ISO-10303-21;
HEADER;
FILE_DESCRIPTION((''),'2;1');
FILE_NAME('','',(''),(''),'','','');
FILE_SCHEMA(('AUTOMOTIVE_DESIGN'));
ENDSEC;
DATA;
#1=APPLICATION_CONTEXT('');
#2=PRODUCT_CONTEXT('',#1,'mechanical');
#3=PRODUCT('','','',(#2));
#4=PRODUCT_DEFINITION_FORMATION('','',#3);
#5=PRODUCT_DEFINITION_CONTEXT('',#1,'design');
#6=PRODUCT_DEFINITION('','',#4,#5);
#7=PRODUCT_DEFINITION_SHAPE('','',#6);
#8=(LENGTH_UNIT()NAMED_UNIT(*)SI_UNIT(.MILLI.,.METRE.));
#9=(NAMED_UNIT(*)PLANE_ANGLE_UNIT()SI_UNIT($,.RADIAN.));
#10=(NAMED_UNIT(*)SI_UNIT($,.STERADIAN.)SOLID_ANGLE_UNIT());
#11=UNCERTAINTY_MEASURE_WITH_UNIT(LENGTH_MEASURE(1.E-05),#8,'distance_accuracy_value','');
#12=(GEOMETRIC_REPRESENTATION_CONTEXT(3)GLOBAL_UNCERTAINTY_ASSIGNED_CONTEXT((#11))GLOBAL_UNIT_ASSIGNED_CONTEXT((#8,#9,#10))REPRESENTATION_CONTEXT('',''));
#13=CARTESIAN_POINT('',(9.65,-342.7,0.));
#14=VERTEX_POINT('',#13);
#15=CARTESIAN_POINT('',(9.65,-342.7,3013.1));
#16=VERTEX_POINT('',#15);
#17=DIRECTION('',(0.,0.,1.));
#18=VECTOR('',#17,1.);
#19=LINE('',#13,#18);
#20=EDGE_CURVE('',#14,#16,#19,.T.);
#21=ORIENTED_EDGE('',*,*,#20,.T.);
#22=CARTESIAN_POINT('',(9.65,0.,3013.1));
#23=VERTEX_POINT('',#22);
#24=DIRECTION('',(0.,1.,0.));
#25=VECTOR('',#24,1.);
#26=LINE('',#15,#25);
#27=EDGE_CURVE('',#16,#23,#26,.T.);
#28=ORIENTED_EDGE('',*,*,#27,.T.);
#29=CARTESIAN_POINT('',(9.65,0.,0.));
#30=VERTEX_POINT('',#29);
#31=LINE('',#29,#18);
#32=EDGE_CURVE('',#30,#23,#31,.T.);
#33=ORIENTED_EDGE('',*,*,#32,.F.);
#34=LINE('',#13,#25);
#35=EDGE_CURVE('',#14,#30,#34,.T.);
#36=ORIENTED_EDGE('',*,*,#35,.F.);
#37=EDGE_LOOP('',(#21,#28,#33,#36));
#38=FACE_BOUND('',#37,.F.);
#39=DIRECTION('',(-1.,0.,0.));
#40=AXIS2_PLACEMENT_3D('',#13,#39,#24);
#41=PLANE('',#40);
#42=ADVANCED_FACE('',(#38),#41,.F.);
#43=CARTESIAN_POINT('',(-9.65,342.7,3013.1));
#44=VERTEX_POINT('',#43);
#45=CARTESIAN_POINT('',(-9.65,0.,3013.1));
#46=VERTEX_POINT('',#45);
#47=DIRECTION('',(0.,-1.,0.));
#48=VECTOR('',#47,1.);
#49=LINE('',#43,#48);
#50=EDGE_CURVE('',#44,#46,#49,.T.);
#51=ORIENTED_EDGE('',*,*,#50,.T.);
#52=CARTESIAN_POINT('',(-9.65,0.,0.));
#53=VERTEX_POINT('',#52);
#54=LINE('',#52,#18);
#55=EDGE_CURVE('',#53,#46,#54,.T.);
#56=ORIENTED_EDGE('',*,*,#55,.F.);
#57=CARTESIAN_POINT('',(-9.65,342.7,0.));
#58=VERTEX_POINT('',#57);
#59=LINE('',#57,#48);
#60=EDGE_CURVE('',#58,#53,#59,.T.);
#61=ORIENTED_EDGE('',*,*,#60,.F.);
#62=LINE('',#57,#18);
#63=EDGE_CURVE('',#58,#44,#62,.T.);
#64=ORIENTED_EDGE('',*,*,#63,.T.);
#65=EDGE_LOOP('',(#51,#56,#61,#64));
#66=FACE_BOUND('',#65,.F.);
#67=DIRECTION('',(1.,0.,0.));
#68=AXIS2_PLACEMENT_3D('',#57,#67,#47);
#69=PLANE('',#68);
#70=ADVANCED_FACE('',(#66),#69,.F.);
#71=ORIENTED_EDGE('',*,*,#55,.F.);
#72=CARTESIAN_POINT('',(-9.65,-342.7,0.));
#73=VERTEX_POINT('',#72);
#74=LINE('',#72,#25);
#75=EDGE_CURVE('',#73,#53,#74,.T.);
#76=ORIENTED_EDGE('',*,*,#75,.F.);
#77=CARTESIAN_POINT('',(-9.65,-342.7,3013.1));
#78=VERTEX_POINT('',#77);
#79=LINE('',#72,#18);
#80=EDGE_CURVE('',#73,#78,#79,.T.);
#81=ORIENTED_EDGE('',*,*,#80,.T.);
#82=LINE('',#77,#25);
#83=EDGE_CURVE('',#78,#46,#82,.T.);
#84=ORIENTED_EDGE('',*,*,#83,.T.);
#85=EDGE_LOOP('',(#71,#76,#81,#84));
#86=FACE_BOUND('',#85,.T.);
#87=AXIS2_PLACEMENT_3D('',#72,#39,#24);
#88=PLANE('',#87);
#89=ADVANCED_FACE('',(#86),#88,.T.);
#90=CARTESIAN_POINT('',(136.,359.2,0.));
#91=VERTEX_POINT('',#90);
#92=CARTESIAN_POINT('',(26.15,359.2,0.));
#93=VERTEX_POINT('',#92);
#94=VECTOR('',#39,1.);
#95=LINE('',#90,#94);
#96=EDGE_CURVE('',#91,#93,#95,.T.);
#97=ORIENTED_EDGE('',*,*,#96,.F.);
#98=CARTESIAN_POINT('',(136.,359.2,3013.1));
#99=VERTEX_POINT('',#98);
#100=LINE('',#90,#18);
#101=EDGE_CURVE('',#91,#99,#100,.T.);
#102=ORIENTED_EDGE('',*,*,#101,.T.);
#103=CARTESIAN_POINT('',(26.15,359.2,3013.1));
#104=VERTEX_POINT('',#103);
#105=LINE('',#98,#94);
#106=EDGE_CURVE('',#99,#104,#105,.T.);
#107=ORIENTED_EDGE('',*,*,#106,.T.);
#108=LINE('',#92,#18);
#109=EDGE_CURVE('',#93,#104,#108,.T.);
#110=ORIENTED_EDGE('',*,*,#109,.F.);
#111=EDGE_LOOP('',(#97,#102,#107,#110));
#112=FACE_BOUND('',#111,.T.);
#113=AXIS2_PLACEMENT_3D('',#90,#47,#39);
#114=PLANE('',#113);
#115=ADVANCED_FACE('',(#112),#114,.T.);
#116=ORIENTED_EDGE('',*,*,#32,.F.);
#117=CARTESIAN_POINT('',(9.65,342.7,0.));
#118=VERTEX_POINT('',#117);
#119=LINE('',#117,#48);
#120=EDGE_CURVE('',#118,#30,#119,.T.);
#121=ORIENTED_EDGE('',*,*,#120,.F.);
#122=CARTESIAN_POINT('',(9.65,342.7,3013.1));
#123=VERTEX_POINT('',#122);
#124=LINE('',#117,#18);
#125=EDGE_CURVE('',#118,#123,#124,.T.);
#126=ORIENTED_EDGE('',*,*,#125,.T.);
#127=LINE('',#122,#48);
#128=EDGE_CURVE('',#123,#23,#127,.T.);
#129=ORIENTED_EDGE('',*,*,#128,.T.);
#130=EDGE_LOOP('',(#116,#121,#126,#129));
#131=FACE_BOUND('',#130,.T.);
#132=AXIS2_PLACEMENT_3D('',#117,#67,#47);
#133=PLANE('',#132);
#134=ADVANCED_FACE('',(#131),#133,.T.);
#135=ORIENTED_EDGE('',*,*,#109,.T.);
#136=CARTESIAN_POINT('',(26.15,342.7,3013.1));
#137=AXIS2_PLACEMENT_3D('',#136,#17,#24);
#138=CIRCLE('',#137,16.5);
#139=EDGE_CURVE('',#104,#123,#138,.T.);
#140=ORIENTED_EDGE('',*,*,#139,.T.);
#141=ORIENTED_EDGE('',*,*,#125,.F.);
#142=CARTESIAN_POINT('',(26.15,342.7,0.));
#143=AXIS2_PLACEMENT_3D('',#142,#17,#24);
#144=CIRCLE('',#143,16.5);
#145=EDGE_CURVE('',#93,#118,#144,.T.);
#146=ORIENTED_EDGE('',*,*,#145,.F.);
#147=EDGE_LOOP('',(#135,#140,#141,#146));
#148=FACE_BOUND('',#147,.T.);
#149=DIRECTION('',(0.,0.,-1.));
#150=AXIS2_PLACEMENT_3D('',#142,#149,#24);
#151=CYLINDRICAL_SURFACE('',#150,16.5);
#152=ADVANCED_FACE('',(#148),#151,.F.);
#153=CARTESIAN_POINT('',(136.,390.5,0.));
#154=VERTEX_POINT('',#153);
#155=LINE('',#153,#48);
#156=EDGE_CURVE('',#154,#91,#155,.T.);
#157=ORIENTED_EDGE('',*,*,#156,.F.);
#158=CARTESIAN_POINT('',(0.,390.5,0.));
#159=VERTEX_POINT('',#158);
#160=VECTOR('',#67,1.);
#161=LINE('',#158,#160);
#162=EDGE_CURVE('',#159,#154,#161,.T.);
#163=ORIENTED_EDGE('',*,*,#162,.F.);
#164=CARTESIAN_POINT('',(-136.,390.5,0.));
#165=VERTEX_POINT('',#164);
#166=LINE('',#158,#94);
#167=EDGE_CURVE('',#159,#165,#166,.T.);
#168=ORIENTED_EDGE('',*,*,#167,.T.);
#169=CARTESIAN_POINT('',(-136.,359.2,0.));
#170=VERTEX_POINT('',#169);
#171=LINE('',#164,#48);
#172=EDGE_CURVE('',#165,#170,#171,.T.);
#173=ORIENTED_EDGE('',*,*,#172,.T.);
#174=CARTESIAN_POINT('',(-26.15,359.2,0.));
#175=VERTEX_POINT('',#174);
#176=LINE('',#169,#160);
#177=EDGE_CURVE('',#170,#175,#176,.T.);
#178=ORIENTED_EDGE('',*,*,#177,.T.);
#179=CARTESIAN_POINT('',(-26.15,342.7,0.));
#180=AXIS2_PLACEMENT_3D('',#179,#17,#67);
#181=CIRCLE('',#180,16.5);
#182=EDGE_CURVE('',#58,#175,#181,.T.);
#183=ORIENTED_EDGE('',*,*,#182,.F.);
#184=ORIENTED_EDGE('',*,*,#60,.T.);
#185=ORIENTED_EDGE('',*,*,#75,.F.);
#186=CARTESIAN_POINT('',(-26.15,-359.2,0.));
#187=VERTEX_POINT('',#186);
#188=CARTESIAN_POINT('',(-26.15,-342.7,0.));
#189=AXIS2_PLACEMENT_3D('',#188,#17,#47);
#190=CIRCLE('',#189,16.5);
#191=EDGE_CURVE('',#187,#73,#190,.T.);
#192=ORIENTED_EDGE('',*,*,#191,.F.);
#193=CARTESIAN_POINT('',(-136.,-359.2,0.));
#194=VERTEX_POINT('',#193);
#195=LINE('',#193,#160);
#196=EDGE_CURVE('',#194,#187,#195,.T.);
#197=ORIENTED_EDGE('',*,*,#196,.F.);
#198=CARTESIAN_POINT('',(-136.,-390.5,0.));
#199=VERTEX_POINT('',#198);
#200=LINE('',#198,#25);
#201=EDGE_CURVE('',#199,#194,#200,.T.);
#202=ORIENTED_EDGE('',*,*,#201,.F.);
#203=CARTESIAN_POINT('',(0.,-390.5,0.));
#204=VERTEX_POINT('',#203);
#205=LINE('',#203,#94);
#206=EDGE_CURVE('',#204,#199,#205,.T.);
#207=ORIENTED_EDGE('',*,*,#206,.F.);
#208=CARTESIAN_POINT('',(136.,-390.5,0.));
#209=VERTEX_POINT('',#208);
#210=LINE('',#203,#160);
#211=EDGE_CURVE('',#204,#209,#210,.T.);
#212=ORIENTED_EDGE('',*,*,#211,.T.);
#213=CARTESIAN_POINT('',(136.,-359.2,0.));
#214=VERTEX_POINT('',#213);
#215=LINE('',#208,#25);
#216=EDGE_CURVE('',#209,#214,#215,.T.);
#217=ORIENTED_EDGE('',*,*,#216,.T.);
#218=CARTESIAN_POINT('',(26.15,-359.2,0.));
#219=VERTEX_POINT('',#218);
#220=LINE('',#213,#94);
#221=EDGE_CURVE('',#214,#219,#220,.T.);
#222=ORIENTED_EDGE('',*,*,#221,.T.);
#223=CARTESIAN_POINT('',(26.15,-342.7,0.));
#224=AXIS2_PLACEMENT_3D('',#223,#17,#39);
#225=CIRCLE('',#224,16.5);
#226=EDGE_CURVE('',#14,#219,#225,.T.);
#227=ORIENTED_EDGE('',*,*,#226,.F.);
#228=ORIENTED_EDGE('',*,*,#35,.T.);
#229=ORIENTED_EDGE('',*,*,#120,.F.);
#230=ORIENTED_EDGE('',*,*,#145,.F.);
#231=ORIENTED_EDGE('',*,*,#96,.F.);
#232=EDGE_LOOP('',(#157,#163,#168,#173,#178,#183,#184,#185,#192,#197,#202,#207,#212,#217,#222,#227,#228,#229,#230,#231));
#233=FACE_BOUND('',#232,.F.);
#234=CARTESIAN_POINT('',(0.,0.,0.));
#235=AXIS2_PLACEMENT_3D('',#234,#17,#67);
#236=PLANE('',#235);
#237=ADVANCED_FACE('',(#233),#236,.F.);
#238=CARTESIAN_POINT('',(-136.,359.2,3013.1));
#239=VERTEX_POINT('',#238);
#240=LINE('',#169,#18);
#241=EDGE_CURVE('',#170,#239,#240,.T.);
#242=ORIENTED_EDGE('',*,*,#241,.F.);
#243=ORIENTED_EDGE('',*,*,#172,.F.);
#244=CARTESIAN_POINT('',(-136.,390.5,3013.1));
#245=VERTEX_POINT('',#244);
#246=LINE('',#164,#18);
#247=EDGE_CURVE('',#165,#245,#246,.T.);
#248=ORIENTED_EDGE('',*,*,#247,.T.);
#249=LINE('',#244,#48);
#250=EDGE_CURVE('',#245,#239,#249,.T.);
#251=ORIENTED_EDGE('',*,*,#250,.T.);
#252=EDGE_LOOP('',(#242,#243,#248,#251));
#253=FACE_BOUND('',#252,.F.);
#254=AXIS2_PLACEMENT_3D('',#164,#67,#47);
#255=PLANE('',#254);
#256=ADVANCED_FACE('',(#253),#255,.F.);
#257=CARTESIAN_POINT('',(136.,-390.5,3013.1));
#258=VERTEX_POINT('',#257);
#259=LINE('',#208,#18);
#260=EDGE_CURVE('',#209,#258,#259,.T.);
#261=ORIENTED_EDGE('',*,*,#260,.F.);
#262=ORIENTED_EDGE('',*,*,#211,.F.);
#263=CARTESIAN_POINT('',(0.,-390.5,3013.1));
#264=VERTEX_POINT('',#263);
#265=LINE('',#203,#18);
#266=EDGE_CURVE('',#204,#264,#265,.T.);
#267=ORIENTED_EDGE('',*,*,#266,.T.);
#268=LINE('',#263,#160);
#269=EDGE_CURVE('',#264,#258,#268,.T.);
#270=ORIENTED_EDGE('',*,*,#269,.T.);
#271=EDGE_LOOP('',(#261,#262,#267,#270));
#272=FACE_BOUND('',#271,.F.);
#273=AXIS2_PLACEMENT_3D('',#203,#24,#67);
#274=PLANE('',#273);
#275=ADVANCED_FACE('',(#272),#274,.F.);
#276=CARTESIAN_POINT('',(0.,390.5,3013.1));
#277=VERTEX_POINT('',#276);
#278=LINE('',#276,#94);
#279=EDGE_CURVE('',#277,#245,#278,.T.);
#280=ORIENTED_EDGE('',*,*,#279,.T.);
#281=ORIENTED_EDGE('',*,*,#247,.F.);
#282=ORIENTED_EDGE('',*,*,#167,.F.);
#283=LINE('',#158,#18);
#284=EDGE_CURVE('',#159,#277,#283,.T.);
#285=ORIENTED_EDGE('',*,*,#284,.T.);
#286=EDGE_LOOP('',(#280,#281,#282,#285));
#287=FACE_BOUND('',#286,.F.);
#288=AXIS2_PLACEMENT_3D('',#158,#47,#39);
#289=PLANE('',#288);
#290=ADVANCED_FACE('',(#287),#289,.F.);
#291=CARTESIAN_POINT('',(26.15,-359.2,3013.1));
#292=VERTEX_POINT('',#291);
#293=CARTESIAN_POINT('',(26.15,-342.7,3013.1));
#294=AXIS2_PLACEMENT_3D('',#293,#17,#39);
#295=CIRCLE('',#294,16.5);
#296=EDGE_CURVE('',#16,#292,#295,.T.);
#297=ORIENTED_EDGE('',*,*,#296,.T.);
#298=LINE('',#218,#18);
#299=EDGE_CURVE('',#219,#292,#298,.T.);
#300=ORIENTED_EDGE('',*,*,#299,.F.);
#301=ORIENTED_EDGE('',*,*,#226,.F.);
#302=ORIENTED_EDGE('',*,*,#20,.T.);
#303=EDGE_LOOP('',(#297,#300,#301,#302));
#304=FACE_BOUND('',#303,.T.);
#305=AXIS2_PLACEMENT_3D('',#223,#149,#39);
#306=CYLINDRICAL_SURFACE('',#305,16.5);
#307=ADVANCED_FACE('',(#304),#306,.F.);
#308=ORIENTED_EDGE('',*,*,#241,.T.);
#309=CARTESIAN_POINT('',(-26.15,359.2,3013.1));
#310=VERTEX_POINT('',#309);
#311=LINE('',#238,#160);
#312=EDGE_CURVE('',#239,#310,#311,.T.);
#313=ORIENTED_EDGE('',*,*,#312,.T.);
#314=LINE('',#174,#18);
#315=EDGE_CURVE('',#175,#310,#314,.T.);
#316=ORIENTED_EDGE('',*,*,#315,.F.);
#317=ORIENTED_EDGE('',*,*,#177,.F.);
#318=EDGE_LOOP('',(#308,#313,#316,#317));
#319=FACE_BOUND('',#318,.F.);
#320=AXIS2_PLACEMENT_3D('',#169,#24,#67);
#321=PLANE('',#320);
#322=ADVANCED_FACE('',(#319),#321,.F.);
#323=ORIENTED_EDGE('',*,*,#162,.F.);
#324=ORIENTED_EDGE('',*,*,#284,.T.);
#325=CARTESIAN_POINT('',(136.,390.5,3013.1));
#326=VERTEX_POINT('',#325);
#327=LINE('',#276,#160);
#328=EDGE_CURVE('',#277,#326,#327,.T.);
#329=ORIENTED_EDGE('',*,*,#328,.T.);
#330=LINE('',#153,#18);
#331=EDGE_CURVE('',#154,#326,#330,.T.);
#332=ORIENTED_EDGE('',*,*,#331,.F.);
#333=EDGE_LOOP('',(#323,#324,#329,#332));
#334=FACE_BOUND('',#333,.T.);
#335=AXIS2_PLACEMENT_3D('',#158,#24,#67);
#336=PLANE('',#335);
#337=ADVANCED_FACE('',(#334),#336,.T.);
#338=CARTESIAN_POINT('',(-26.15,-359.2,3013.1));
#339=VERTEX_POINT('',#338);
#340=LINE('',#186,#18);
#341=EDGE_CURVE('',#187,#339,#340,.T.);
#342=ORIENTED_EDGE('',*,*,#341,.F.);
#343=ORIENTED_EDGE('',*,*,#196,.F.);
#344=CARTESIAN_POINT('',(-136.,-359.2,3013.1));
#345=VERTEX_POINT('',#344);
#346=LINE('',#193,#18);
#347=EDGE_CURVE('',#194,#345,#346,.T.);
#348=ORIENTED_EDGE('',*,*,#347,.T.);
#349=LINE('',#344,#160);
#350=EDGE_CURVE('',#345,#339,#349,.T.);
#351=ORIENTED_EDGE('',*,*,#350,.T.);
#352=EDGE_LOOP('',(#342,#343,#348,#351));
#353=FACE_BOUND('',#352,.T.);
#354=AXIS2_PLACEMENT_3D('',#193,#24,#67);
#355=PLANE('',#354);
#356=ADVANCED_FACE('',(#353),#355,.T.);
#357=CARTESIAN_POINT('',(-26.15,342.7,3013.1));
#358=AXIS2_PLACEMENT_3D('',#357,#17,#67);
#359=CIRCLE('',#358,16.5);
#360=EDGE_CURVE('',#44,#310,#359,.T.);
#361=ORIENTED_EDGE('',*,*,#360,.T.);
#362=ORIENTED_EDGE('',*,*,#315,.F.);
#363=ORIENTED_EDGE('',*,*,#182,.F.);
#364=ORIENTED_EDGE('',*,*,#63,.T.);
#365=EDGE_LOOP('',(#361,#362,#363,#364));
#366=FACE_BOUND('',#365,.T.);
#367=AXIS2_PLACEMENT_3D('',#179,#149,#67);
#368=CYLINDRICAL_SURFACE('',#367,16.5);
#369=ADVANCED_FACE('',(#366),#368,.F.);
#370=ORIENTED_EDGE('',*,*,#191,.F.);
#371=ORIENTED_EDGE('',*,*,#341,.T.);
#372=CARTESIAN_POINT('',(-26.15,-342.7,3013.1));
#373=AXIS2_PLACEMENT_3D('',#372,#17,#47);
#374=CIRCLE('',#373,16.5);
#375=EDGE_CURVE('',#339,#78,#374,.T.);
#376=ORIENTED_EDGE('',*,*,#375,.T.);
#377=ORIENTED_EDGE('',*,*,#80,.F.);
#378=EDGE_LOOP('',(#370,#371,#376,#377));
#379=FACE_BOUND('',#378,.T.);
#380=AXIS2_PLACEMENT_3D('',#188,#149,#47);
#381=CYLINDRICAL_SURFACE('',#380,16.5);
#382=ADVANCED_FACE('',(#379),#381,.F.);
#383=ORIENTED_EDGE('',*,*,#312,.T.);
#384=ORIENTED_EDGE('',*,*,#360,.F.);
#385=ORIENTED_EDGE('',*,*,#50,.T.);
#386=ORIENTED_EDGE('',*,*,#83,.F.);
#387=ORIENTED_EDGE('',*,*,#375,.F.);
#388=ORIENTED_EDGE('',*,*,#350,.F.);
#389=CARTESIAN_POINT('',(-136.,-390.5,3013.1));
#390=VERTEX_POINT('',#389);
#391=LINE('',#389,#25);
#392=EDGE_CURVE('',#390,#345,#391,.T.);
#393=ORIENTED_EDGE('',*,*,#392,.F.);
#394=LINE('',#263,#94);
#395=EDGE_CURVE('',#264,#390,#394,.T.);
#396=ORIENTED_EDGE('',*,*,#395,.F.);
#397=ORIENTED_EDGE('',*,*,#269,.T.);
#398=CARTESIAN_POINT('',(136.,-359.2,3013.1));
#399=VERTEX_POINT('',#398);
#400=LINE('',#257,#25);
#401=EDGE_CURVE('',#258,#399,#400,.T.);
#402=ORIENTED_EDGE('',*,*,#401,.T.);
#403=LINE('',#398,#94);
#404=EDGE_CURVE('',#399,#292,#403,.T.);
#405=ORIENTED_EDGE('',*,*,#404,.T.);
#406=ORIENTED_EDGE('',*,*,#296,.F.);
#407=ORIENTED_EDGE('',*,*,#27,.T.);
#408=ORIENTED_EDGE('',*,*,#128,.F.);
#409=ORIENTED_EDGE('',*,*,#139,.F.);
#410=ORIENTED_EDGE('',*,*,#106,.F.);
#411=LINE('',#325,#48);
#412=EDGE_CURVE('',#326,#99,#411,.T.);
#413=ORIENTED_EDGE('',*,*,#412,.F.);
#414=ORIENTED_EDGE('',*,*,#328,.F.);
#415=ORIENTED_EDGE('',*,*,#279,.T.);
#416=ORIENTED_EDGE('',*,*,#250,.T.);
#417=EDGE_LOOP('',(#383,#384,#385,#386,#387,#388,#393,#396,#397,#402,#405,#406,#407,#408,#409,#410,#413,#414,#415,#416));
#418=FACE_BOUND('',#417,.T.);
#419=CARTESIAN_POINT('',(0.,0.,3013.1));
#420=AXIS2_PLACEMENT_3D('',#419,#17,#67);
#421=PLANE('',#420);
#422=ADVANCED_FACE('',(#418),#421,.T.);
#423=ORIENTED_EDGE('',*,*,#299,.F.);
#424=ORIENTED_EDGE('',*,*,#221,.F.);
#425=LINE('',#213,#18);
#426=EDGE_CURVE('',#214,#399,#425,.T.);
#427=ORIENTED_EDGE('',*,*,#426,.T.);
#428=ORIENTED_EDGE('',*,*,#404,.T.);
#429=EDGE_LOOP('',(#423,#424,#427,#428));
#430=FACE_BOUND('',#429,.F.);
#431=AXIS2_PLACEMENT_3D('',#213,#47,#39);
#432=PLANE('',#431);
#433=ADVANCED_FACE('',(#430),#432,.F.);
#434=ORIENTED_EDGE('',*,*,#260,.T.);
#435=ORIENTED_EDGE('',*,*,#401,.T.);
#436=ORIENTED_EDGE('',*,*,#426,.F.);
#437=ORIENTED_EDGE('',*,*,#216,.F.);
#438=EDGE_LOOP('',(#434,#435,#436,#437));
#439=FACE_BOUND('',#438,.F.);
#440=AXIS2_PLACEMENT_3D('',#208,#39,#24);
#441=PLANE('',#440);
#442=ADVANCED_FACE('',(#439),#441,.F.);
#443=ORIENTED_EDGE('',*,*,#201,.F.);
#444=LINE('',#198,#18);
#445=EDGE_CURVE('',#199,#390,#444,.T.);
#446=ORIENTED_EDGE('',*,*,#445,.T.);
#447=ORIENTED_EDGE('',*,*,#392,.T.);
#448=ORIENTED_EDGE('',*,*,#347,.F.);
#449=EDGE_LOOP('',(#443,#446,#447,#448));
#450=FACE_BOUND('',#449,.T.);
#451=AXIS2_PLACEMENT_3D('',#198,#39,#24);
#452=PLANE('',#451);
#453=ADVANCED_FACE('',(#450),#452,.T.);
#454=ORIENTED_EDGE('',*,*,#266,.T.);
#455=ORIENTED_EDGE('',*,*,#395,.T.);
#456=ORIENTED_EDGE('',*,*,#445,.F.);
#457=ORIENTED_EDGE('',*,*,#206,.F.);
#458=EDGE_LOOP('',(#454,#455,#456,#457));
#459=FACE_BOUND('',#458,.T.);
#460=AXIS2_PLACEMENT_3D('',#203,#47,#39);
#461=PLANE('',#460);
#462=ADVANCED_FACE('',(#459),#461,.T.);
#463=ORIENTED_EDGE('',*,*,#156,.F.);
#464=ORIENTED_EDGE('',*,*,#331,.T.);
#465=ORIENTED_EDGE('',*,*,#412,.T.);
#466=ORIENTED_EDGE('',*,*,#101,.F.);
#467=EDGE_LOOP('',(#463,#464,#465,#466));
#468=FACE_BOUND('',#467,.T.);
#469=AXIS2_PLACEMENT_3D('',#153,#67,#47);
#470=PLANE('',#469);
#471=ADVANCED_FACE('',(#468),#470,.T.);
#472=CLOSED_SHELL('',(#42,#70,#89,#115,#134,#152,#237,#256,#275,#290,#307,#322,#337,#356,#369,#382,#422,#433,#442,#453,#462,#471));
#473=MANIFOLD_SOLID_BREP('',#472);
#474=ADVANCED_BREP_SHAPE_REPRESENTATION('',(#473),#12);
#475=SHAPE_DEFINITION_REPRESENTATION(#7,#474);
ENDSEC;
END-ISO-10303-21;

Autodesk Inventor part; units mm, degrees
ref_plane "YZ Plane" through (0, 0, 0) normal (1, 0, 0) x (0, 1, 0)
ref_plane "Start plane" through (0, 0, 0) normal (0, 0, 1) x (1, 0, 0)
ref_plane "End plane" through (0, 0, 3013.1) normal (0, 0, 1) x (1, 0, 0)
sketch "Sketch" plane through (0, 0, 0) normal (0, 0, 1) x (1, 0, 0)
  line L0 (-136, -390.5) -> (-136, -359.2)
  line L1 (-136, -359.2) -> (-26.15, -359.2)
  line L2 (-9.65, -342.7) -> (-9.65, 0)
  line L3 (-9.65, 0) -> (0, 0) construction
  line L4 (0, 0) -> (0, -390.5) construction
  line L5 (0, -390.5) -> (-136, -390.5)
  line L6 (-60, 0) -> (80, 0) construction
  line L7 (0, -60) -> (0, 80) construction
  line L8 (136, -390.5) -> (136, -359.2)
  line L9 (136, -359.2) -> (26.15, -359.2)
  line L10 (9.65, -342.7) -> (9.65, 0)
  line L11 (9.65, 0) -> (0, 0) construction
  line L12 (0, -390.5) -> (136, -390.5)
  line L13 (-136, 390.5) -> (-136, 359.2)
  line L14 (-136, 359.2) -> (-26.15, 359.2)
  line L15 (-9.65, 342.7) -> (-9.65, 0)
  line L16 (0, 390.5) -> (-136, 390.5)
  line L17 (136, 390.5) -> (136, 359.2)
  line L18 (136, 359.2) -> (26.15, 359.2)
  line L19 (0, 390.5) -> (136, 390.5)
  line L20 (9.65, 342.7) -> (9.65, 0)
  arc A0 (-9.65, 342.7) -> (-26.15, 359.2) centre (-26.15, 342.7) ccw
  arc A1 (26.15, 359.2) -> (9.65, 342.7) centre (26.15, 342.7) ccw
  arc A2 (9.65, -342.7) -> (26.15, -359.2) centre (26.15, -342.7) ccw
  arc A3 (-26.15, -359.2) -> (-9.65, -342.7) centre (-26.15, -342.7) ccw
  line L21 (0, 108) -> (0, -88) construction
  line L22 (-88, 0) -> (108, 0) construction
  point P0 (-9.65, -359.2)
  point P1 (9.65, -359.2)
  point P2 (-9.65, 359.2)
  point P3 (9.65, 359.2)
  dimension "d1" = 390.5
  dimension "d2" = 31.3
  dimension "d3" = 136
  dimension "d4" = 9.65
  dimension "d10" = 16.5
extrude "Body" add sketch "Sketch" along normal up to surface (3013.1 mm away) from surface at 0
sketch "Sketch4" plane through (0, 0, 0) normal (0, 0, 1) x (1, 0, 0)
  line L0 (0, 0) -> (10, 0)
ref_plane "Work Plane3" through (0, 0, 0) normal (0, -1, 0) x (1, 0, 0)
sketch "Sketch5" plane through (0, 0, 0) normal (0, -1, 0) x (1, 0, 0)
  line L0 (-2, 0) -> (12, 0) projected
  line L1 (-2, 3013.1) -> (12, 3013.1) projected
  dimension "d14" = 3013.1
equation "\"d1\" = 0.5 * G_H"
equation "\"d2\" = G_T1"
equation "\"d3\" = 0.5 * G_W"
equation "\"d4\" = 0.5 * G_T"
equation "\"d10\" = G_IR"
equation "\"d5\" = G_L"
equation "\"G_W\" = 272"
equation "\"G_H\" = 781"
equation "\"G_T\" = 19.3"
equation "\"G_T1\" = 31.3"
equation "\"G_IR\" = 16.5"
equation "\"G_L\" = d14"
equation "\"G_OFFSET_START\" = 0"
equation "\"G_OFFSET_END\" = 0"
equation "\"d12\" = G_OFFSET_END + B_L"
equation "\"B_L\" = 3013.1"
properties part number "AS 3679-1990 - 760 UB - 244 - 3013.1" material "Steel, Mild"
